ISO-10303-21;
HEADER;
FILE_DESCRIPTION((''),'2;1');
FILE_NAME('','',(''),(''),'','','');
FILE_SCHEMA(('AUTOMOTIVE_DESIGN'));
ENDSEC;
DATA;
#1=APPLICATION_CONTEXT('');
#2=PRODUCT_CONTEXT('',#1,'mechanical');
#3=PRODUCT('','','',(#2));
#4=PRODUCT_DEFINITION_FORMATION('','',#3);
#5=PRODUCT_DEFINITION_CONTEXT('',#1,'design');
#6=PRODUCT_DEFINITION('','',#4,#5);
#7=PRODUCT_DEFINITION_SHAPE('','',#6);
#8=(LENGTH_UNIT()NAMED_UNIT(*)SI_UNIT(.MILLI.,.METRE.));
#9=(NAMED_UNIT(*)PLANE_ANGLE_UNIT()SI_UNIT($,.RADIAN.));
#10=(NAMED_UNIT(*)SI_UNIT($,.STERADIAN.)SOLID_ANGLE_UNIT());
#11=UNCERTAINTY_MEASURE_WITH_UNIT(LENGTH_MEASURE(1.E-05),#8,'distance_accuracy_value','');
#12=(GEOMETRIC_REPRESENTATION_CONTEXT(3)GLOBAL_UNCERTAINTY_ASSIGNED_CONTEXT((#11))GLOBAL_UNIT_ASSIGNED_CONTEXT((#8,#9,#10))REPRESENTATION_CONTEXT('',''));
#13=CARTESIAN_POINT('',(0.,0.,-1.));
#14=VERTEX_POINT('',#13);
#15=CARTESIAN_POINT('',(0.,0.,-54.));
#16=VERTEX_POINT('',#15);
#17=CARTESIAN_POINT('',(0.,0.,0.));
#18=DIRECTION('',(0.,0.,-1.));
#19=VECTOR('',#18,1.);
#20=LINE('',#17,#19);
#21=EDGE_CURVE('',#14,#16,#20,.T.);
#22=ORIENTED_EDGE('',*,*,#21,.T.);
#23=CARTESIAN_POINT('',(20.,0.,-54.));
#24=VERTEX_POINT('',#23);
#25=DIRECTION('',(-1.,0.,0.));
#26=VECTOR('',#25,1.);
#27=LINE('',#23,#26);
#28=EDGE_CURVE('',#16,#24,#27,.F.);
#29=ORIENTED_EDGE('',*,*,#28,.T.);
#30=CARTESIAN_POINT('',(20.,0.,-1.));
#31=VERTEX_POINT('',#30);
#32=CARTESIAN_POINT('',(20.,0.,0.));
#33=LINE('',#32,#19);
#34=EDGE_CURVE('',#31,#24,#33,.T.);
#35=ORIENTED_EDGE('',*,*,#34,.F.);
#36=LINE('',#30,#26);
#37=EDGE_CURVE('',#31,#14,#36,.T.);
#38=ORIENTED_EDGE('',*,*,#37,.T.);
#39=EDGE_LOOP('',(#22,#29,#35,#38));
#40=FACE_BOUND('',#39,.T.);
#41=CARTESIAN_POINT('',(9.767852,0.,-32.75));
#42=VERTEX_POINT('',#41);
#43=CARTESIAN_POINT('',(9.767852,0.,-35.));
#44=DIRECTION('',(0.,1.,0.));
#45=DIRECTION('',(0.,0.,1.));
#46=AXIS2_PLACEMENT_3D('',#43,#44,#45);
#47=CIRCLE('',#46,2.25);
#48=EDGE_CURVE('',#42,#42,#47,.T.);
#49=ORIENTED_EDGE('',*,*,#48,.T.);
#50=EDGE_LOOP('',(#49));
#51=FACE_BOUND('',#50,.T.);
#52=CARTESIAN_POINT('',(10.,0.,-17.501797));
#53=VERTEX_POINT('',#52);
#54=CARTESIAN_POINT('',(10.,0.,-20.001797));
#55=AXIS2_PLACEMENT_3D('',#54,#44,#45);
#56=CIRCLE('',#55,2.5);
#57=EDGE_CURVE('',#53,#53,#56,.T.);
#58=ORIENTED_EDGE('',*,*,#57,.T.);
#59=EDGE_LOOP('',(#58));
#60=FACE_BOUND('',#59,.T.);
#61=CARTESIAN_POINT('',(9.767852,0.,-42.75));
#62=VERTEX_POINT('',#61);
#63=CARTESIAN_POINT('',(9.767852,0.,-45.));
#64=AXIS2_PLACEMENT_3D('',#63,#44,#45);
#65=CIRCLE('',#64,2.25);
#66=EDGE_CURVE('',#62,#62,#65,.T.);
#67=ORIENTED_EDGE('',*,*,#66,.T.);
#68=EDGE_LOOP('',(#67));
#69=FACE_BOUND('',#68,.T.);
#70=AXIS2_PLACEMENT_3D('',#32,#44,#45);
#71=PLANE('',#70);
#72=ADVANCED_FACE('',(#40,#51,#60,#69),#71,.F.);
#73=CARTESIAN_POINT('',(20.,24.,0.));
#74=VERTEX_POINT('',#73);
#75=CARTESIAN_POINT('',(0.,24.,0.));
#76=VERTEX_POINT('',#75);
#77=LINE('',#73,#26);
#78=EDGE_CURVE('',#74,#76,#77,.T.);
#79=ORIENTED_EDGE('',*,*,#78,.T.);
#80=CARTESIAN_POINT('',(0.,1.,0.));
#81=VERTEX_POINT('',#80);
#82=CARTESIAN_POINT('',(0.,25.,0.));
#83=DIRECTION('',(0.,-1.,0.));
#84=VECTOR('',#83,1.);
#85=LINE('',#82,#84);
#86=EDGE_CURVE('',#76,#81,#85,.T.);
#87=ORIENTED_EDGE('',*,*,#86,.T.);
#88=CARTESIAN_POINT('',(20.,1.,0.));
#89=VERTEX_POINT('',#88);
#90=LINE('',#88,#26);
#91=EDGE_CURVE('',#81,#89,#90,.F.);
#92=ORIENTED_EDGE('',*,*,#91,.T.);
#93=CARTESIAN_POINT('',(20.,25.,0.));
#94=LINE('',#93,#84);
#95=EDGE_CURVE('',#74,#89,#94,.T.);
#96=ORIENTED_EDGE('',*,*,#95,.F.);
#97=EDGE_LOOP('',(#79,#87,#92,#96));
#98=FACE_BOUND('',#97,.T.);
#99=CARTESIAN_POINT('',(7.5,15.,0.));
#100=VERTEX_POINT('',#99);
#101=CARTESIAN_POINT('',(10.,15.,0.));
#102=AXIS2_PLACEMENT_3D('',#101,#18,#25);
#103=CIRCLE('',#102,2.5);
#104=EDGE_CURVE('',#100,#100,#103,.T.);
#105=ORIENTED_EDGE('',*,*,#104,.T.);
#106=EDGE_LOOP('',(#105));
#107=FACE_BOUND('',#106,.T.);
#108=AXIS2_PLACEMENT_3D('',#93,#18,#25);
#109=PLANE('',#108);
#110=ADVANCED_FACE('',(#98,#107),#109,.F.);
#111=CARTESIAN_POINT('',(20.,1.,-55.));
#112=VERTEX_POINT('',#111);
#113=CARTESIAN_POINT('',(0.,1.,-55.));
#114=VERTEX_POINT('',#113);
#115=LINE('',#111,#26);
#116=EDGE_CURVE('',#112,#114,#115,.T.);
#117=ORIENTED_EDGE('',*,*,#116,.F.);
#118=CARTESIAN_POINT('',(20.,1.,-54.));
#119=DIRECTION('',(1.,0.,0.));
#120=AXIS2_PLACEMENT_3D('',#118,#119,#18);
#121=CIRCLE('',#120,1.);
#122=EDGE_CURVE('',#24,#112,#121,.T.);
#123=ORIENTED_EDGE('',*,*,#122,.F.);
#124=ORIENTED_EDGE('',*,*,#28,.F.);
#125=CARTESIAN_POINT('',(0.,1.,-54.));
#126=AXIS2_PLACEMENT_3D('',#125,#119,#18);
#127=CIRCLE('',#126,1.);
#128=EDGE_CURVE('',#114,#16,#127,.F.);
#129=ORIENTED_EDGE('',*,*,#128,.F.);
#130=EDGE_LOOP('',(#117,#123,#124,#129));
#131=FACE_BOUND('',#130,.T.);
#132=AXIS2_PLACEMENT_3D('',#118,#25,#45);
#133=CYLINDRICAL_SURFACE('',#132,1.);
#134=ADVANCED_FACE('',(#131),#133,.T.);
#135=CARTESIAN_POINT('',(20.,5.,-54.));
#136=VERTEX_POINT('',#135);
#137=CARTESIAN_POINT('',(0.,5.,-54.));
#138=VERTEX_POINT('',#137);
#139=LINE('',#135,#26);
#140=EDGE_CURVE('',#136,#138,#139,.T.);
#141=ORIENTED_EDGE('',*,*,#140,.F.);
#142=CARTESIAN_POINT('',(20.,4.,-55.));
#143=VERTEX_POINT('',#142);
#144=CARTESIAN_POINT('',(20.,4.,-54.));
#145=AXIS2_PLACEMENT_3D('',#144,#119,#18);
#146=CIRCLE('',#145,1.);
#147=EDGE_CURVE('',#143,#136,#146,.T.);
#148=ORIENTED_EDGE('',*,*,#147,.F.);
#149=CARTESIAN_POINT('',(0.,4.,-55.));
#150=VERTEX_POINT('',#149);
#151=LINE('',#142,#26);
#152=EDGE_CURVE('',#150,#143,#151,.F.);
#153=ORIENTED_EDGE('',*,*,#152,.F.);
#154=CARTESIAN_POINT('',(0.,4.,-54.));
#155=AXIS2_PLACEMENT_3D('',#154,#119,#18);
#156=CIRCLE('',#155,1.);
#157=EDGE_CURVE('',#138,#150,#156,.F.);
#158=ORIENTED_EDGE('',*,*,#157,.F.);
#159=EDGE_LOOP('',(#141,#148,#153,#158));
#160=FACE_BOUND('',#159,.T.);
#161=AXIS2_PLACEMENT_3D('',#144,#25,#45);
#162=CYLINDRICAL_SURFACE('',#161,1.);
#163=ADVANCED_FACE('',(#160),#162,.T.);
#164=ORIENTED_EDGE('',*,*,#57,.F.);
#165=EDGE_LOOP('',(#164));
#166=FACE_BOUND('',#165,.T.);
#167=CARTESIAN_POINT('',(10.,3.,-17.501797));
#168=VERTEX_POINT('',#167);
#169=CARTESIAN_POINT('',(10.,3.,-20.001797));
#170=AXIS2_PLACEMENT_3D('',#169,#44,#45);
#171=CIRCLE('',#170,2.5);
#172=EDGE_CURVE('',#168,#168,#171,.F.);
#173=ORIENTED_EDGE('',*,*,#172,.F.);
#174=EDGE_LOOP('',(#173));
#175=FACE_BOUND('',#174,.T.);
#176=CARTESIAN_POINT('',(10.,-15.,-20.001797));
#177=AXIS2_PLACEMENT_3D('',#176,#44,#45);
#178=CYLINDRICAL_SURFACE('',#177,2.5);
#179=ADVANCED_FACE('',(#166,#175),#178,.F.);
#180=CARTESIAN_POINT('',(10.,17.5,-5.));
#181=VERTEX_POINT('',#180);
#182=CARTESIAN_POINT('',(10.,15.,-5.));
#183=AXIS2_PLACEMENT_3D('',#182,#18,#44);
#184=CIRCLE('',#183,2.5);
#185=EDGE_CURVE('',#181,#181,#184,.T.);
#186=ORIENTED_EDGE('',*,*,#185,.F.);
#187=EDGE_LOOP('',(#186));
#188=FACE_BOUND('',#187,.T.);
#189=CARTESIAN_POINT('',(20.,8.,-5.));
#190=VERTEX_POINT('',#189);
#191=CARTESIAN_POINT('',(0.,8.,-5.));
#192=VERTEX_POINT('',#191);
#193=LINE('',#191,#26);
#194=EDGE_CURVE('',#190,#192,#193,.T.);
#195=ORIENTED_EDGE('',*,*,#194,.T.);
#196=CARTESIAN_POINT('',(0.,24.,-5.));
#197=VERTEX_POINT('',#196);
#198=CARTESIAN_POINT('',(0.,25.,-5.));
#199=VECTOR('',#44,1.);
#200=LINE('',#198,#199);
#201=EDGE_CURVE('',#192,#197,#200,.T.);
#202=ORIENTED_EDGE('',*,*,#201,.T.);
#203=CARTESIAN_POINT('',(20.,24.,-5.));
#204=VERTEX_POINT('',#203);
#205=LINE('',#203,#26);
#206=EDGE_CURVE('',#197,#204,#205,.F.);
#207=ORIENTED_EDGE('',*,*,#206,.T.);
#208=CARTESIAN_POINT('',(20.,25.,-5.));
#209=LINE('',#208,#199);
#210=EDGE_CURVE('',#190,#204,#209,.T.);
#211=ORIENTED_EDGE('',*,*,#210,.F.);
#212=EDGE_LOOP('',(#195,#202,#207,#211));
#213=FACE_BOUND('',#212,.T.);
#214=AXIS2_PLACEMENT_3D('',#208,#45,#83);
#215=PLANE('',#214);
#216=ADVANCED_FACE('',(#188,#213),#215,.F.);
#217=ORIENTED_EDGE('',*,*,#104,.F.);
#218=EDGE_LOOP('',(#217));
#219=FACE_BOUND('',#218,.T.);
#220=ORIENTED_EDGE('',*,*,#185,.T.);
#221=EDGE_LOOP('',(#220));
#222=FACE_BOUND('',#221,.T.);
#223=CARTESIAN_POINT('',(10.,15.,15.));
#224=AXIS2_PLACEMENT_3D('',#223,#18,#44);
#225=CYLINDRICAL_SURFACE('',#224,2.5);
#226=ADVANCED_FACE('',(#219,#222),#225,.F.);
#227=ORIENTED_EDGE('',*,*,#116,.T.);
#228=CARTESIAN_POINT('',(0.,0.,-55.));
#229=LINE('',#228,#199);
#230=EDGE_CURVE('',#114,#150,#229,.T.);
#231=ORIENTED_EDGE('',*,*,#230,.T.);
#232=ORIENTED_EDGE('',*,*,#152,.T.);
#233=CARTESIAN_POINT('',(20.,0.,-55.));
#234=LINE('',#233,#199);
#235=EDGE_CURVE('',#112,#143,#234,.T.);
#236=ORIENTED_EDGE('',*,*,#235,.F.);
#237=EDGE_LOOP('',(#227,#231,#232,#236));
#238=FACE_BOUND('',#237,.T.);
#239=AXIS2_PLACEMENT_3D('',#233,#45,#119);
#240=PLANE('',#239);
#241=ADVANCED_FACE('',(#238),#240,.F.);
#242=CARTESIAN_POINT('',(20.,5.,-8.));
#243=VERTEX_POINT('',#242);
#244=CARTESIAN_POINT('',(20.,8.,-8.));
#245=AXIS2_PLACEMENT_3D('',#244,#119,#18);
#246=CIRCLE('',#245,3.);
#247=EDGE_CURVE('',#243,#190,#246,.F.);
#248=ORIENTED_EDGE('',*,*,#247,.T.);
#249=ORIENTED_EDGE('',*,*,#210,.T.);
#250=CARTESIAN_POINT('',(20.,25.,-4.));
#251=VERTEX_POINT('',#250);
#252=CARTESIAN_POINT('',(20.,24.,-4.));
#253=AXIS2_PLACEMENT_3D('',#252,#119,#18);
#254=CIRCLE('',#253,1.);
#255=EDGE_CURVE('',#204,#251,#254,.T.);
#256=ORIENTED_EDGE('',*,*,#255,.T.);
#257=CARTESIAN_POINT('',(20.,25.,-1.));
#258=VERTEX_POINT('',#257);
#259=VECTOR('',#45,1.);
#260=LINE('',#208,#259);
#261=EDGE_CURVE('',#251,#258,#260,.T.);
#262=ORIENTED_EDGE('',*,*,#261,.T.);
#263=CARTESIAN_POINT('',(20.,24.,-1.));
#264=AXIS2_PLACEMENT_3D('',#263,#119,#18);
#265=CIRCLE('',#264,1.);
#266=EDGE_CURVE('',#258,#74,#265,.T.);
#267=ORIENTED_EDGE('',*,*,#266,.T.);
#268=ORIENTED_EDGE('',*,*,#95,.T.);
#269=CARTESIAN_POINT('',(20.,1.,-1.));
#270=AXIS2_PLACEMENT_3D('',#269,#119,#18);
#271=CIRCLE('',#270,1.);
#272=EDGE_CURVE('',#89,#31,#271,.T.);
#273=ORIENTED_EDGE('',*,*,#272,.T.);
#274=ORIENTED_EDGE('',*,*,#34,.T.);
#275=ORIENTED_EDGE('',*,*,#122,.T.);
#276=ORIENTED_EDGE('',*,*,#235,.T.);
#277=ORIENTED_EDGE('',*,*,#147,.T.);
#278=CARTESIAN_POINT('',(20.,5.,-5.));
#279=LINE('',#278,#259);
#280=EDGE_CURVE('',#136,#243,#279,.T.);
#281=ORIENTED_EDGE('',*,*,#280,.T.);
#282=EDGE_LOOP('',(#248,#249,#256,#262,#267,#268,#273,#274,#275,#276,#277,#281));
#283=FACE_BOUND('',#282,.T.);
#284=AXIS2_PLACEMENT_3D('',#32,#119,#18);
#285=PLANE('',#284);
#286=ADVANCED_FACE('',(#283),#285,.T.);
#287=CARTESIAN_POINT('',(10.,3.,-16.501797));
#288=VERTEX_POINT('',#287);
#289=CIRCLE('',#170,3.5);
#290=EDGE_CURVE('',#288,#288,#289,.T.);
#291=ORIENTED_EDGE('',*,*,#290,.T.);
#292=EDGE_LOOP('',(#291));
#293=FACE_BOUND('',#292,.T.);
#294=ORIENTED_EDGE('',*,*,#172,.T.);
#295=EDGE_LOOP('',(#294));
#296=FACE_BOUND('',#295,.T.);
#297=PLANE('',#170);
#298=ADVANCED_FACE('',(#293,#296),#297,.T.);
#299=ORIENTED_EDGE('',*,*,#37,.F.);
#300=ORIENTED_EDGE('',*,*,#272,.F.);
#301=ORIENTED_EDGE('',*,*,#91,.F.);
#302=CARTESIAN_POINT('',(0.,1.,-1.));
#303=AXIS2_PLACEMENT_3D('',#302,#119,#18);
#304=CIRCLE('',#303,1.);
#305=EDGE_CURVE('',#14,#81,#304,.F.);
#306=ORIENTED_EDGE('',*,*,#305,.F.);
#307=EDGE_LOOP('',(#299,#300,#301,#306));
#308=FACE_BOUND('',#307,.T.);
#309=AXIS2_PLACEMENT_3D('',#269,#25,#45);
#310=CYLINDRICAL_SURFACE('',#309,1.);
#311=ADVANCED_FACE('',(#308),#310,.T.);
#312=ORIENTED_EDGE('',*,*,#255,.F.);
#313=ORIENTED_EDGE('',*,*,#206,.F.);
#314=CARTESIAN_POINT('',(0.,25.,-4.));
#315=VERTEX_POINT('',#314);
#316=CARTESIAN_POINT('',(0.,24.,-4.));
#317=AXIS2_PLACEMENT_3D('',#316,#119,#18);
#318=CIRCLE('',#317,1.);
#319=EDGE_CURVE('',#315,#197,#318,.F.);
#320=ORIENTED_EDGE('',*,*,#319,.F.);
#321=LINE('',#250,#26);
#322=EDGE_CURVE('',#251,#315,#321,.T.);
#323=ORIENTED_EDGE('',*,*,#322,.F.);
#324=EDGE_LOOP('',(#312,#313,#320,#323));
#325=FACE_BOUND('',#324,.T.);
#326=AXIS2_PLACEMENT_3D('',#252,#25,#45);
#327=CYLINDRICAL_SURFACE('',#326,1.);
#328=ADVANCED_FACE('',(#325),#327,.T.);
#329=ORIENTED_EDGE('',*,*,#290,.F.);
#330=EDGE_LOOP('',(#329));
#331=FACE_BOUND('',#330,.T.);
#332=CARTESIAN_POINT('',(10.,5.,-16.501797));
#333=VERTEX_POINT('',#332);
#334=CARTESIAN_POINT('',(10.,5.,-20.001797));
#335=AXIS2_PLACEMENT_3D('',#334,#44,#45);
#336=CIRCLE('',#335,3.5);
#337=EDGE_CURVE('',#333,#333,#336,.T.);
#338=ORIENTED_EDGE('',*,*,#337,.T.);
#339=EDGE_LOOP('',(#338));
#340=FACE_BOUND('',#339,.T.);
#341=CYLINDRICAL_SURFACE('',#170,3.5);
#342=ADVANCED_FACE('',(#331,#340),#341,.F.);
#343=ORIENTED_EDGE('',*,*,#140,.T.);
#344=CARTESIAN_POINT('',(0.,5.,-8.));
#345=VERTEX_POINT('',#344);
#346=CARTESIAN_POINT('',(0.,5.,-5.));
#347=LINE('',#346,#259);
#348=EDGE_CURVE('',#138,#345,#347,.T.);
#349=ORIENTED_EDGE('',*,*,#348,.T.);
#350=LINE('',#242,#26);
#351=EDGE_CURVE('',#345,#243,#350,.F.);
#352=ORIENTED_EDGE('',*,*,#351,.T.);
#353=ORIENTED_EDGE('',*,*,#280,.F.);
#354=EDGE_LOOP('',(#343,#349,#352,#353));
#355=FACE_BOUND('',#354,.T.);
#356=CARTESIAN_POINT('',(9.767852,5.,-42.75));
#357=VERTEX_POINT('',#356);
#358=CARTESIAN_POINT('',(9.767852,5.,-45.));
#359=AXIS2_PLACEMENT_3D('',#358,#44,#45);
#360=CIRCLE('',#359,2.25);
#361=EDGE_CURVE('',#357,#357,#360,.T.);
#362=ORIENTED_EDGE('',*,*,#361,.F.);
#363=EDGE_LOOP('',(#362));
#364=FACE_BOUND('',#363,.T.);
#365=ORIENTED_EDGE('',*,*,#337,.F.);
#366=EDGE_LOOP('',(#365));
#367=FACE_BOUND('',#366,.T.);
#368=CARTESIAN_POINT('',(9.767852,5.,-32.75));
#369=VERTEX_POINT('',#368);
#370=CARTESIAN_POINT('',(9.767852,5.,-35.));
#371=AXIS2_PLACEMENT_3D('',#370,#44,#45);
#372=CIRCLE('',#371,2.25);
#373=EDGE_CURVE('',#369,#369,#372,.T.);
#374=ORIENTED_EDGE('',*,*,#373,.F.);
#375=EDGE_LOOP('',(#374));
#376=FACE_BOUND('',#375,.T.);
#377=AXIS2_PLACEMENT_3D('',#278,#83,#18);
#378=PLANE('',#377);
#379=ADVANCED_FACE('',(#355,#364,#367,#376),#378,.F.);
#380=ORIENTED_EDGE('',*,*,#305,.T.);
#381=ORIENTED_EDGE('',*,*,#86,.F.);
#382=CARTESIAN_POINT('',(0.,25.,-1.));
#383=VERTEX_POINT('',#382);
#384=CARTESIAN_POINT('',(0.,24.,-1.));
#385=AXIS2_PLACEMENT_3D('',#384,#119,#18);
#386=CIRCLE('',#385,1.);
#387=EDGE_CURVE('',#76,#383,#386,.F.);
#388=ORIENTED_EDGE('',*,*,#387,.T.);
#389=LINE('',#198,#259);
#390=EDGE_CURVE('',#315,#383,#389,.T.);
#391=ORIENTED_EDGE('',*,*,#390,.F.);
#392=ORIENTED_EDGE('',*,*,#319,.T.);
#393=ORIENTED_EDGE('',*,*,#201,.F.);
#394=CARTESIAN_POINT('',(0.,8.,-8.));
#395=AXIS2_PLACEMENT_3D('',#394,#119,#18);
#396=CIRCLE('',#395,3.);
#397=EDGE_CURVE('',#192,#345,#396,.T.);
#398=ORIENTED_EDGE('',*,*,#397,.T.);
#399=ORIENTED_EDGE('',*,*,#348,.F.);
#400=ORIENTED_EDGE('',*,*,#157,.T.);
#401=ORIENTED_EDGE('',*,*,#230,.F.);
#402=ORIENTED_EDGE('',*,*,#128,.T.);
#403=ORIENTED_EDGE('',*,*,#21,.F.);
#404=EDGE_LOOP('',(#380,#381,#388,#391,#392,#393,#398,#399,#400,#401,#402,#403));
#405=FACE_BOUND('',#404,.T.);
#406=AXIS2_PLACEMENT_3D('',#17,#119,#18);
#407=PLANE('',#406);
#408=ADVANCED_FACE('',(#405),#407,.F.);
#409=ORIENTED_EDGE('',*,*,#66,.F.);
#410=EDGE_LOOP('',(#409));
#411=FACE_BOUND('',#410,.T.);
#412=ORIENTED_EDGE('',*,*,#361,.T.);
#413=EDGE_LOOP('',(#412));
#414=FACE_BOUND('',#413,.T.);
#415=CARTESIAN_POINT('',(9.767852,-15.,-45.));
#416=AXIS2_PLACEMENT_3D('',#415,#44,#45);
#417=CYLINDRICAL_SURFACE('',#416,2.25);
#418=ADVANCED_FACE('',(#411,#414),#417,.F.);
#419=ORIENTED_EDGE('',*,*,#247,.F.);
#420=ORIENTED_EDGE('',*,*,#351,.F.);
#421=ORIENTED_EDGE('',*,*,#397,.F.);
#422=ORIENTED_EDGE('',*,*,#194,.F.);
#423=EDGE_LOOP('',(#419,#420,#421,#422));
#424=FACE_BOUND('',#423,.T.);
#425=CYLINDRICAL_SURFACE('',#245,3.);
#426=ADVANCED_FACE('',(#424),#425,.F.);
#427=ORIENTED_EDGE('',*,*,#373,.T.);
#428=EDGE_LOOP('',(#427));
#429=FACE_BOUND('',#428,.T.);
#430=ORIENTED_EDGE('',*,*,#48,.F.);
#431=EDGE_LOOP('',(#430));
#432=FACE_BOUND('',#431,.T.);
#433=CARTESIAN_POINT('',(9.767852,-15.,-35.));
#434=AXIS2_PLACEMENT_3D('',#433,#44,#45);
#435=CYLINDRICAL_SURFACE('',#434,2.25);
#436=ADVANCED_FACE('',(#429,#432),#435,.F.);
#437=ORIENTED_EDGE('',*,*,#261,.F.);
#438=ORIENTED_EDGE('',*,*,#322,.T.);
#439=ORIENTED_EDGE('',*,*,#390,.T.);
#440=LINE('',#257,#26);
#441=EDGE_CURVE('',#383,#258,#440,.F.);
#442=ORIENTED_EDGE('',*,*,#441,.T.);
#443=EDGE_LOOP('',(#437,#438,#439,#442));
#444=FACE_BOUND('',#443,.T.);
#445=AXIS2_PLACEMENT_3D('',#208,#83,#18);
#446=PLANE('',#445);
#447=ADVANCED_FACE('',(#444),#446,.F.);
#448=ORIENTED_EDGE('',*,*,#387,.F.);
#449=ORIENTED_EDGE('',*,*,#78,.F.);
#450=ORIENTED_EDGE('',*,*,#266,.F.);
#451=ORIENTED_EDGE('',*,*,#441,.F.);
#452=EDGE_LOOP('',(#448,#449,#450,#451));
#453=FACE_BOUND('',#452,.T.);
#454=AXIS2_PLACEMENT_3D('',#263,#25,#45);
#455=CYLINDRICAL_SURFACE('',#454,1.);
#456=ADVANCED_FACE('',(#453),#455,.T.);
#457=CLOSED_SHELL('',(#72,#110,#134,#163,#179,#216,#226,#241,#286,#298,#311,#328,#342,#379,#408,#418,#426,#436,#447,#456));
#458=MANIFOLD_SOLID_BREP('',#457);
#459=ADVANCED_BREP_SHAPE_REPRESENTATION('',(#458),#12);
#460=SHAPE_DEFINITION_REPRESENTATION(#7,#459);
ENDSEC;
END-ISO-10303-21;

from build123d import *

# Parameters (mm, degrees)
EXTRUDE_1_DEPTH     = 20
FILLET_1_R          = 3
FILLET_2_R          = 1
SKETCH_2_R          = 2.5
CUT_EXTRUDE_1_DEPTH = 20
SKETCH_3_R          = 2.25
SKETCH_3_R_2        = 2.5
CUT_EXTRUDE_2_DEPTH = 20
SKETCH_5_R          = 3.5
CUT_EXTRUDE_3_DEPTH = 2


with BuildPart() as part:
    # 草图1 → 凸台-拉伸1 (new body)
    with BuildSketch(Plane(origin=(0, 0, 0), x_dir=(0, 0, -1), z_dir=(1, 0, 0))):
        Polygon((0, 0), (55, 0), (55, 5), (5, 5), (5, 25), (0, 25), align=None)
    extrude(amount=EXTRUDE_1_DEPTH)

    # 圆角1
    fillet_1_edges = [part.edges().sort_by_distance(p)[0] for p in [
        (10, 5, -5),
    ]]
    fillet(fillet_1_edges, radius=FILLET_1_R)

    # 圆角2
    fillet_2_edges = [part.edges().sort_by_distance(p)[0] for p in [
        (10, 25, 0),
        (10, 25, -5),
        (10, 5, -55),
        (10, 0, -55),
        (10, 0, 0),
    ]]
    fillet(fillet_2_edges, radius=FILLET_2_R)

    # 草图2 → 切除-拉伸1 (cut)
    with BuildSketch(Plane(origin=(0, 0, -5), x_dir=(-1, 0, 0), z_dir=(0, 0, -1))):
        with Locations(Location((-10, 15, 0), (0, 0, 90))):
            Circle(SKETCH_2_R)
    extrude(amount=-CUT_EXTRUDE_1_DEPTH, mode=Mode.SUBTRACT)

    # 草图3 → 切除-拉伸2 (cut)
    with BuildSketch(Plane(origin=(0, 5, 0), x_dir=(1, 0, 0), z_dir=(0, 1, 0))):
        with Locations(Location((9.767852346, 45, 0), (0, 0, 270))):
            Circle(SKETCH_3_R)
        with Locations(Location((9.767852346, 35, 0), (0, 0, 270))):
            Circle(SKETCH_3_R)
        with Locations(Location((10, 20.001796525, 0), (0, 0, 270))):
            Circle(SKETCH_3_R_2)
    extrude(amount=-CUT_EXTRUDE_2_DEPTH, mode=Mode.SUBTRACT)

    # 草图5 → 切除-拉伸3 (cut)
    with BuildSketch(Plane(origin=(0, 5, 0), x_dir=(1, 0, 0), z_dir=(0, 1, 0))):
        with Locations(Location((10, 20.001796525, 0), (0, 0, 270))):
            Circle(SKETCH_5_R)
    extrude(amount=-CUT_EXTRUDE_3_DEPTH, mode=Mode.SUBTRACT)


solid = part.part
